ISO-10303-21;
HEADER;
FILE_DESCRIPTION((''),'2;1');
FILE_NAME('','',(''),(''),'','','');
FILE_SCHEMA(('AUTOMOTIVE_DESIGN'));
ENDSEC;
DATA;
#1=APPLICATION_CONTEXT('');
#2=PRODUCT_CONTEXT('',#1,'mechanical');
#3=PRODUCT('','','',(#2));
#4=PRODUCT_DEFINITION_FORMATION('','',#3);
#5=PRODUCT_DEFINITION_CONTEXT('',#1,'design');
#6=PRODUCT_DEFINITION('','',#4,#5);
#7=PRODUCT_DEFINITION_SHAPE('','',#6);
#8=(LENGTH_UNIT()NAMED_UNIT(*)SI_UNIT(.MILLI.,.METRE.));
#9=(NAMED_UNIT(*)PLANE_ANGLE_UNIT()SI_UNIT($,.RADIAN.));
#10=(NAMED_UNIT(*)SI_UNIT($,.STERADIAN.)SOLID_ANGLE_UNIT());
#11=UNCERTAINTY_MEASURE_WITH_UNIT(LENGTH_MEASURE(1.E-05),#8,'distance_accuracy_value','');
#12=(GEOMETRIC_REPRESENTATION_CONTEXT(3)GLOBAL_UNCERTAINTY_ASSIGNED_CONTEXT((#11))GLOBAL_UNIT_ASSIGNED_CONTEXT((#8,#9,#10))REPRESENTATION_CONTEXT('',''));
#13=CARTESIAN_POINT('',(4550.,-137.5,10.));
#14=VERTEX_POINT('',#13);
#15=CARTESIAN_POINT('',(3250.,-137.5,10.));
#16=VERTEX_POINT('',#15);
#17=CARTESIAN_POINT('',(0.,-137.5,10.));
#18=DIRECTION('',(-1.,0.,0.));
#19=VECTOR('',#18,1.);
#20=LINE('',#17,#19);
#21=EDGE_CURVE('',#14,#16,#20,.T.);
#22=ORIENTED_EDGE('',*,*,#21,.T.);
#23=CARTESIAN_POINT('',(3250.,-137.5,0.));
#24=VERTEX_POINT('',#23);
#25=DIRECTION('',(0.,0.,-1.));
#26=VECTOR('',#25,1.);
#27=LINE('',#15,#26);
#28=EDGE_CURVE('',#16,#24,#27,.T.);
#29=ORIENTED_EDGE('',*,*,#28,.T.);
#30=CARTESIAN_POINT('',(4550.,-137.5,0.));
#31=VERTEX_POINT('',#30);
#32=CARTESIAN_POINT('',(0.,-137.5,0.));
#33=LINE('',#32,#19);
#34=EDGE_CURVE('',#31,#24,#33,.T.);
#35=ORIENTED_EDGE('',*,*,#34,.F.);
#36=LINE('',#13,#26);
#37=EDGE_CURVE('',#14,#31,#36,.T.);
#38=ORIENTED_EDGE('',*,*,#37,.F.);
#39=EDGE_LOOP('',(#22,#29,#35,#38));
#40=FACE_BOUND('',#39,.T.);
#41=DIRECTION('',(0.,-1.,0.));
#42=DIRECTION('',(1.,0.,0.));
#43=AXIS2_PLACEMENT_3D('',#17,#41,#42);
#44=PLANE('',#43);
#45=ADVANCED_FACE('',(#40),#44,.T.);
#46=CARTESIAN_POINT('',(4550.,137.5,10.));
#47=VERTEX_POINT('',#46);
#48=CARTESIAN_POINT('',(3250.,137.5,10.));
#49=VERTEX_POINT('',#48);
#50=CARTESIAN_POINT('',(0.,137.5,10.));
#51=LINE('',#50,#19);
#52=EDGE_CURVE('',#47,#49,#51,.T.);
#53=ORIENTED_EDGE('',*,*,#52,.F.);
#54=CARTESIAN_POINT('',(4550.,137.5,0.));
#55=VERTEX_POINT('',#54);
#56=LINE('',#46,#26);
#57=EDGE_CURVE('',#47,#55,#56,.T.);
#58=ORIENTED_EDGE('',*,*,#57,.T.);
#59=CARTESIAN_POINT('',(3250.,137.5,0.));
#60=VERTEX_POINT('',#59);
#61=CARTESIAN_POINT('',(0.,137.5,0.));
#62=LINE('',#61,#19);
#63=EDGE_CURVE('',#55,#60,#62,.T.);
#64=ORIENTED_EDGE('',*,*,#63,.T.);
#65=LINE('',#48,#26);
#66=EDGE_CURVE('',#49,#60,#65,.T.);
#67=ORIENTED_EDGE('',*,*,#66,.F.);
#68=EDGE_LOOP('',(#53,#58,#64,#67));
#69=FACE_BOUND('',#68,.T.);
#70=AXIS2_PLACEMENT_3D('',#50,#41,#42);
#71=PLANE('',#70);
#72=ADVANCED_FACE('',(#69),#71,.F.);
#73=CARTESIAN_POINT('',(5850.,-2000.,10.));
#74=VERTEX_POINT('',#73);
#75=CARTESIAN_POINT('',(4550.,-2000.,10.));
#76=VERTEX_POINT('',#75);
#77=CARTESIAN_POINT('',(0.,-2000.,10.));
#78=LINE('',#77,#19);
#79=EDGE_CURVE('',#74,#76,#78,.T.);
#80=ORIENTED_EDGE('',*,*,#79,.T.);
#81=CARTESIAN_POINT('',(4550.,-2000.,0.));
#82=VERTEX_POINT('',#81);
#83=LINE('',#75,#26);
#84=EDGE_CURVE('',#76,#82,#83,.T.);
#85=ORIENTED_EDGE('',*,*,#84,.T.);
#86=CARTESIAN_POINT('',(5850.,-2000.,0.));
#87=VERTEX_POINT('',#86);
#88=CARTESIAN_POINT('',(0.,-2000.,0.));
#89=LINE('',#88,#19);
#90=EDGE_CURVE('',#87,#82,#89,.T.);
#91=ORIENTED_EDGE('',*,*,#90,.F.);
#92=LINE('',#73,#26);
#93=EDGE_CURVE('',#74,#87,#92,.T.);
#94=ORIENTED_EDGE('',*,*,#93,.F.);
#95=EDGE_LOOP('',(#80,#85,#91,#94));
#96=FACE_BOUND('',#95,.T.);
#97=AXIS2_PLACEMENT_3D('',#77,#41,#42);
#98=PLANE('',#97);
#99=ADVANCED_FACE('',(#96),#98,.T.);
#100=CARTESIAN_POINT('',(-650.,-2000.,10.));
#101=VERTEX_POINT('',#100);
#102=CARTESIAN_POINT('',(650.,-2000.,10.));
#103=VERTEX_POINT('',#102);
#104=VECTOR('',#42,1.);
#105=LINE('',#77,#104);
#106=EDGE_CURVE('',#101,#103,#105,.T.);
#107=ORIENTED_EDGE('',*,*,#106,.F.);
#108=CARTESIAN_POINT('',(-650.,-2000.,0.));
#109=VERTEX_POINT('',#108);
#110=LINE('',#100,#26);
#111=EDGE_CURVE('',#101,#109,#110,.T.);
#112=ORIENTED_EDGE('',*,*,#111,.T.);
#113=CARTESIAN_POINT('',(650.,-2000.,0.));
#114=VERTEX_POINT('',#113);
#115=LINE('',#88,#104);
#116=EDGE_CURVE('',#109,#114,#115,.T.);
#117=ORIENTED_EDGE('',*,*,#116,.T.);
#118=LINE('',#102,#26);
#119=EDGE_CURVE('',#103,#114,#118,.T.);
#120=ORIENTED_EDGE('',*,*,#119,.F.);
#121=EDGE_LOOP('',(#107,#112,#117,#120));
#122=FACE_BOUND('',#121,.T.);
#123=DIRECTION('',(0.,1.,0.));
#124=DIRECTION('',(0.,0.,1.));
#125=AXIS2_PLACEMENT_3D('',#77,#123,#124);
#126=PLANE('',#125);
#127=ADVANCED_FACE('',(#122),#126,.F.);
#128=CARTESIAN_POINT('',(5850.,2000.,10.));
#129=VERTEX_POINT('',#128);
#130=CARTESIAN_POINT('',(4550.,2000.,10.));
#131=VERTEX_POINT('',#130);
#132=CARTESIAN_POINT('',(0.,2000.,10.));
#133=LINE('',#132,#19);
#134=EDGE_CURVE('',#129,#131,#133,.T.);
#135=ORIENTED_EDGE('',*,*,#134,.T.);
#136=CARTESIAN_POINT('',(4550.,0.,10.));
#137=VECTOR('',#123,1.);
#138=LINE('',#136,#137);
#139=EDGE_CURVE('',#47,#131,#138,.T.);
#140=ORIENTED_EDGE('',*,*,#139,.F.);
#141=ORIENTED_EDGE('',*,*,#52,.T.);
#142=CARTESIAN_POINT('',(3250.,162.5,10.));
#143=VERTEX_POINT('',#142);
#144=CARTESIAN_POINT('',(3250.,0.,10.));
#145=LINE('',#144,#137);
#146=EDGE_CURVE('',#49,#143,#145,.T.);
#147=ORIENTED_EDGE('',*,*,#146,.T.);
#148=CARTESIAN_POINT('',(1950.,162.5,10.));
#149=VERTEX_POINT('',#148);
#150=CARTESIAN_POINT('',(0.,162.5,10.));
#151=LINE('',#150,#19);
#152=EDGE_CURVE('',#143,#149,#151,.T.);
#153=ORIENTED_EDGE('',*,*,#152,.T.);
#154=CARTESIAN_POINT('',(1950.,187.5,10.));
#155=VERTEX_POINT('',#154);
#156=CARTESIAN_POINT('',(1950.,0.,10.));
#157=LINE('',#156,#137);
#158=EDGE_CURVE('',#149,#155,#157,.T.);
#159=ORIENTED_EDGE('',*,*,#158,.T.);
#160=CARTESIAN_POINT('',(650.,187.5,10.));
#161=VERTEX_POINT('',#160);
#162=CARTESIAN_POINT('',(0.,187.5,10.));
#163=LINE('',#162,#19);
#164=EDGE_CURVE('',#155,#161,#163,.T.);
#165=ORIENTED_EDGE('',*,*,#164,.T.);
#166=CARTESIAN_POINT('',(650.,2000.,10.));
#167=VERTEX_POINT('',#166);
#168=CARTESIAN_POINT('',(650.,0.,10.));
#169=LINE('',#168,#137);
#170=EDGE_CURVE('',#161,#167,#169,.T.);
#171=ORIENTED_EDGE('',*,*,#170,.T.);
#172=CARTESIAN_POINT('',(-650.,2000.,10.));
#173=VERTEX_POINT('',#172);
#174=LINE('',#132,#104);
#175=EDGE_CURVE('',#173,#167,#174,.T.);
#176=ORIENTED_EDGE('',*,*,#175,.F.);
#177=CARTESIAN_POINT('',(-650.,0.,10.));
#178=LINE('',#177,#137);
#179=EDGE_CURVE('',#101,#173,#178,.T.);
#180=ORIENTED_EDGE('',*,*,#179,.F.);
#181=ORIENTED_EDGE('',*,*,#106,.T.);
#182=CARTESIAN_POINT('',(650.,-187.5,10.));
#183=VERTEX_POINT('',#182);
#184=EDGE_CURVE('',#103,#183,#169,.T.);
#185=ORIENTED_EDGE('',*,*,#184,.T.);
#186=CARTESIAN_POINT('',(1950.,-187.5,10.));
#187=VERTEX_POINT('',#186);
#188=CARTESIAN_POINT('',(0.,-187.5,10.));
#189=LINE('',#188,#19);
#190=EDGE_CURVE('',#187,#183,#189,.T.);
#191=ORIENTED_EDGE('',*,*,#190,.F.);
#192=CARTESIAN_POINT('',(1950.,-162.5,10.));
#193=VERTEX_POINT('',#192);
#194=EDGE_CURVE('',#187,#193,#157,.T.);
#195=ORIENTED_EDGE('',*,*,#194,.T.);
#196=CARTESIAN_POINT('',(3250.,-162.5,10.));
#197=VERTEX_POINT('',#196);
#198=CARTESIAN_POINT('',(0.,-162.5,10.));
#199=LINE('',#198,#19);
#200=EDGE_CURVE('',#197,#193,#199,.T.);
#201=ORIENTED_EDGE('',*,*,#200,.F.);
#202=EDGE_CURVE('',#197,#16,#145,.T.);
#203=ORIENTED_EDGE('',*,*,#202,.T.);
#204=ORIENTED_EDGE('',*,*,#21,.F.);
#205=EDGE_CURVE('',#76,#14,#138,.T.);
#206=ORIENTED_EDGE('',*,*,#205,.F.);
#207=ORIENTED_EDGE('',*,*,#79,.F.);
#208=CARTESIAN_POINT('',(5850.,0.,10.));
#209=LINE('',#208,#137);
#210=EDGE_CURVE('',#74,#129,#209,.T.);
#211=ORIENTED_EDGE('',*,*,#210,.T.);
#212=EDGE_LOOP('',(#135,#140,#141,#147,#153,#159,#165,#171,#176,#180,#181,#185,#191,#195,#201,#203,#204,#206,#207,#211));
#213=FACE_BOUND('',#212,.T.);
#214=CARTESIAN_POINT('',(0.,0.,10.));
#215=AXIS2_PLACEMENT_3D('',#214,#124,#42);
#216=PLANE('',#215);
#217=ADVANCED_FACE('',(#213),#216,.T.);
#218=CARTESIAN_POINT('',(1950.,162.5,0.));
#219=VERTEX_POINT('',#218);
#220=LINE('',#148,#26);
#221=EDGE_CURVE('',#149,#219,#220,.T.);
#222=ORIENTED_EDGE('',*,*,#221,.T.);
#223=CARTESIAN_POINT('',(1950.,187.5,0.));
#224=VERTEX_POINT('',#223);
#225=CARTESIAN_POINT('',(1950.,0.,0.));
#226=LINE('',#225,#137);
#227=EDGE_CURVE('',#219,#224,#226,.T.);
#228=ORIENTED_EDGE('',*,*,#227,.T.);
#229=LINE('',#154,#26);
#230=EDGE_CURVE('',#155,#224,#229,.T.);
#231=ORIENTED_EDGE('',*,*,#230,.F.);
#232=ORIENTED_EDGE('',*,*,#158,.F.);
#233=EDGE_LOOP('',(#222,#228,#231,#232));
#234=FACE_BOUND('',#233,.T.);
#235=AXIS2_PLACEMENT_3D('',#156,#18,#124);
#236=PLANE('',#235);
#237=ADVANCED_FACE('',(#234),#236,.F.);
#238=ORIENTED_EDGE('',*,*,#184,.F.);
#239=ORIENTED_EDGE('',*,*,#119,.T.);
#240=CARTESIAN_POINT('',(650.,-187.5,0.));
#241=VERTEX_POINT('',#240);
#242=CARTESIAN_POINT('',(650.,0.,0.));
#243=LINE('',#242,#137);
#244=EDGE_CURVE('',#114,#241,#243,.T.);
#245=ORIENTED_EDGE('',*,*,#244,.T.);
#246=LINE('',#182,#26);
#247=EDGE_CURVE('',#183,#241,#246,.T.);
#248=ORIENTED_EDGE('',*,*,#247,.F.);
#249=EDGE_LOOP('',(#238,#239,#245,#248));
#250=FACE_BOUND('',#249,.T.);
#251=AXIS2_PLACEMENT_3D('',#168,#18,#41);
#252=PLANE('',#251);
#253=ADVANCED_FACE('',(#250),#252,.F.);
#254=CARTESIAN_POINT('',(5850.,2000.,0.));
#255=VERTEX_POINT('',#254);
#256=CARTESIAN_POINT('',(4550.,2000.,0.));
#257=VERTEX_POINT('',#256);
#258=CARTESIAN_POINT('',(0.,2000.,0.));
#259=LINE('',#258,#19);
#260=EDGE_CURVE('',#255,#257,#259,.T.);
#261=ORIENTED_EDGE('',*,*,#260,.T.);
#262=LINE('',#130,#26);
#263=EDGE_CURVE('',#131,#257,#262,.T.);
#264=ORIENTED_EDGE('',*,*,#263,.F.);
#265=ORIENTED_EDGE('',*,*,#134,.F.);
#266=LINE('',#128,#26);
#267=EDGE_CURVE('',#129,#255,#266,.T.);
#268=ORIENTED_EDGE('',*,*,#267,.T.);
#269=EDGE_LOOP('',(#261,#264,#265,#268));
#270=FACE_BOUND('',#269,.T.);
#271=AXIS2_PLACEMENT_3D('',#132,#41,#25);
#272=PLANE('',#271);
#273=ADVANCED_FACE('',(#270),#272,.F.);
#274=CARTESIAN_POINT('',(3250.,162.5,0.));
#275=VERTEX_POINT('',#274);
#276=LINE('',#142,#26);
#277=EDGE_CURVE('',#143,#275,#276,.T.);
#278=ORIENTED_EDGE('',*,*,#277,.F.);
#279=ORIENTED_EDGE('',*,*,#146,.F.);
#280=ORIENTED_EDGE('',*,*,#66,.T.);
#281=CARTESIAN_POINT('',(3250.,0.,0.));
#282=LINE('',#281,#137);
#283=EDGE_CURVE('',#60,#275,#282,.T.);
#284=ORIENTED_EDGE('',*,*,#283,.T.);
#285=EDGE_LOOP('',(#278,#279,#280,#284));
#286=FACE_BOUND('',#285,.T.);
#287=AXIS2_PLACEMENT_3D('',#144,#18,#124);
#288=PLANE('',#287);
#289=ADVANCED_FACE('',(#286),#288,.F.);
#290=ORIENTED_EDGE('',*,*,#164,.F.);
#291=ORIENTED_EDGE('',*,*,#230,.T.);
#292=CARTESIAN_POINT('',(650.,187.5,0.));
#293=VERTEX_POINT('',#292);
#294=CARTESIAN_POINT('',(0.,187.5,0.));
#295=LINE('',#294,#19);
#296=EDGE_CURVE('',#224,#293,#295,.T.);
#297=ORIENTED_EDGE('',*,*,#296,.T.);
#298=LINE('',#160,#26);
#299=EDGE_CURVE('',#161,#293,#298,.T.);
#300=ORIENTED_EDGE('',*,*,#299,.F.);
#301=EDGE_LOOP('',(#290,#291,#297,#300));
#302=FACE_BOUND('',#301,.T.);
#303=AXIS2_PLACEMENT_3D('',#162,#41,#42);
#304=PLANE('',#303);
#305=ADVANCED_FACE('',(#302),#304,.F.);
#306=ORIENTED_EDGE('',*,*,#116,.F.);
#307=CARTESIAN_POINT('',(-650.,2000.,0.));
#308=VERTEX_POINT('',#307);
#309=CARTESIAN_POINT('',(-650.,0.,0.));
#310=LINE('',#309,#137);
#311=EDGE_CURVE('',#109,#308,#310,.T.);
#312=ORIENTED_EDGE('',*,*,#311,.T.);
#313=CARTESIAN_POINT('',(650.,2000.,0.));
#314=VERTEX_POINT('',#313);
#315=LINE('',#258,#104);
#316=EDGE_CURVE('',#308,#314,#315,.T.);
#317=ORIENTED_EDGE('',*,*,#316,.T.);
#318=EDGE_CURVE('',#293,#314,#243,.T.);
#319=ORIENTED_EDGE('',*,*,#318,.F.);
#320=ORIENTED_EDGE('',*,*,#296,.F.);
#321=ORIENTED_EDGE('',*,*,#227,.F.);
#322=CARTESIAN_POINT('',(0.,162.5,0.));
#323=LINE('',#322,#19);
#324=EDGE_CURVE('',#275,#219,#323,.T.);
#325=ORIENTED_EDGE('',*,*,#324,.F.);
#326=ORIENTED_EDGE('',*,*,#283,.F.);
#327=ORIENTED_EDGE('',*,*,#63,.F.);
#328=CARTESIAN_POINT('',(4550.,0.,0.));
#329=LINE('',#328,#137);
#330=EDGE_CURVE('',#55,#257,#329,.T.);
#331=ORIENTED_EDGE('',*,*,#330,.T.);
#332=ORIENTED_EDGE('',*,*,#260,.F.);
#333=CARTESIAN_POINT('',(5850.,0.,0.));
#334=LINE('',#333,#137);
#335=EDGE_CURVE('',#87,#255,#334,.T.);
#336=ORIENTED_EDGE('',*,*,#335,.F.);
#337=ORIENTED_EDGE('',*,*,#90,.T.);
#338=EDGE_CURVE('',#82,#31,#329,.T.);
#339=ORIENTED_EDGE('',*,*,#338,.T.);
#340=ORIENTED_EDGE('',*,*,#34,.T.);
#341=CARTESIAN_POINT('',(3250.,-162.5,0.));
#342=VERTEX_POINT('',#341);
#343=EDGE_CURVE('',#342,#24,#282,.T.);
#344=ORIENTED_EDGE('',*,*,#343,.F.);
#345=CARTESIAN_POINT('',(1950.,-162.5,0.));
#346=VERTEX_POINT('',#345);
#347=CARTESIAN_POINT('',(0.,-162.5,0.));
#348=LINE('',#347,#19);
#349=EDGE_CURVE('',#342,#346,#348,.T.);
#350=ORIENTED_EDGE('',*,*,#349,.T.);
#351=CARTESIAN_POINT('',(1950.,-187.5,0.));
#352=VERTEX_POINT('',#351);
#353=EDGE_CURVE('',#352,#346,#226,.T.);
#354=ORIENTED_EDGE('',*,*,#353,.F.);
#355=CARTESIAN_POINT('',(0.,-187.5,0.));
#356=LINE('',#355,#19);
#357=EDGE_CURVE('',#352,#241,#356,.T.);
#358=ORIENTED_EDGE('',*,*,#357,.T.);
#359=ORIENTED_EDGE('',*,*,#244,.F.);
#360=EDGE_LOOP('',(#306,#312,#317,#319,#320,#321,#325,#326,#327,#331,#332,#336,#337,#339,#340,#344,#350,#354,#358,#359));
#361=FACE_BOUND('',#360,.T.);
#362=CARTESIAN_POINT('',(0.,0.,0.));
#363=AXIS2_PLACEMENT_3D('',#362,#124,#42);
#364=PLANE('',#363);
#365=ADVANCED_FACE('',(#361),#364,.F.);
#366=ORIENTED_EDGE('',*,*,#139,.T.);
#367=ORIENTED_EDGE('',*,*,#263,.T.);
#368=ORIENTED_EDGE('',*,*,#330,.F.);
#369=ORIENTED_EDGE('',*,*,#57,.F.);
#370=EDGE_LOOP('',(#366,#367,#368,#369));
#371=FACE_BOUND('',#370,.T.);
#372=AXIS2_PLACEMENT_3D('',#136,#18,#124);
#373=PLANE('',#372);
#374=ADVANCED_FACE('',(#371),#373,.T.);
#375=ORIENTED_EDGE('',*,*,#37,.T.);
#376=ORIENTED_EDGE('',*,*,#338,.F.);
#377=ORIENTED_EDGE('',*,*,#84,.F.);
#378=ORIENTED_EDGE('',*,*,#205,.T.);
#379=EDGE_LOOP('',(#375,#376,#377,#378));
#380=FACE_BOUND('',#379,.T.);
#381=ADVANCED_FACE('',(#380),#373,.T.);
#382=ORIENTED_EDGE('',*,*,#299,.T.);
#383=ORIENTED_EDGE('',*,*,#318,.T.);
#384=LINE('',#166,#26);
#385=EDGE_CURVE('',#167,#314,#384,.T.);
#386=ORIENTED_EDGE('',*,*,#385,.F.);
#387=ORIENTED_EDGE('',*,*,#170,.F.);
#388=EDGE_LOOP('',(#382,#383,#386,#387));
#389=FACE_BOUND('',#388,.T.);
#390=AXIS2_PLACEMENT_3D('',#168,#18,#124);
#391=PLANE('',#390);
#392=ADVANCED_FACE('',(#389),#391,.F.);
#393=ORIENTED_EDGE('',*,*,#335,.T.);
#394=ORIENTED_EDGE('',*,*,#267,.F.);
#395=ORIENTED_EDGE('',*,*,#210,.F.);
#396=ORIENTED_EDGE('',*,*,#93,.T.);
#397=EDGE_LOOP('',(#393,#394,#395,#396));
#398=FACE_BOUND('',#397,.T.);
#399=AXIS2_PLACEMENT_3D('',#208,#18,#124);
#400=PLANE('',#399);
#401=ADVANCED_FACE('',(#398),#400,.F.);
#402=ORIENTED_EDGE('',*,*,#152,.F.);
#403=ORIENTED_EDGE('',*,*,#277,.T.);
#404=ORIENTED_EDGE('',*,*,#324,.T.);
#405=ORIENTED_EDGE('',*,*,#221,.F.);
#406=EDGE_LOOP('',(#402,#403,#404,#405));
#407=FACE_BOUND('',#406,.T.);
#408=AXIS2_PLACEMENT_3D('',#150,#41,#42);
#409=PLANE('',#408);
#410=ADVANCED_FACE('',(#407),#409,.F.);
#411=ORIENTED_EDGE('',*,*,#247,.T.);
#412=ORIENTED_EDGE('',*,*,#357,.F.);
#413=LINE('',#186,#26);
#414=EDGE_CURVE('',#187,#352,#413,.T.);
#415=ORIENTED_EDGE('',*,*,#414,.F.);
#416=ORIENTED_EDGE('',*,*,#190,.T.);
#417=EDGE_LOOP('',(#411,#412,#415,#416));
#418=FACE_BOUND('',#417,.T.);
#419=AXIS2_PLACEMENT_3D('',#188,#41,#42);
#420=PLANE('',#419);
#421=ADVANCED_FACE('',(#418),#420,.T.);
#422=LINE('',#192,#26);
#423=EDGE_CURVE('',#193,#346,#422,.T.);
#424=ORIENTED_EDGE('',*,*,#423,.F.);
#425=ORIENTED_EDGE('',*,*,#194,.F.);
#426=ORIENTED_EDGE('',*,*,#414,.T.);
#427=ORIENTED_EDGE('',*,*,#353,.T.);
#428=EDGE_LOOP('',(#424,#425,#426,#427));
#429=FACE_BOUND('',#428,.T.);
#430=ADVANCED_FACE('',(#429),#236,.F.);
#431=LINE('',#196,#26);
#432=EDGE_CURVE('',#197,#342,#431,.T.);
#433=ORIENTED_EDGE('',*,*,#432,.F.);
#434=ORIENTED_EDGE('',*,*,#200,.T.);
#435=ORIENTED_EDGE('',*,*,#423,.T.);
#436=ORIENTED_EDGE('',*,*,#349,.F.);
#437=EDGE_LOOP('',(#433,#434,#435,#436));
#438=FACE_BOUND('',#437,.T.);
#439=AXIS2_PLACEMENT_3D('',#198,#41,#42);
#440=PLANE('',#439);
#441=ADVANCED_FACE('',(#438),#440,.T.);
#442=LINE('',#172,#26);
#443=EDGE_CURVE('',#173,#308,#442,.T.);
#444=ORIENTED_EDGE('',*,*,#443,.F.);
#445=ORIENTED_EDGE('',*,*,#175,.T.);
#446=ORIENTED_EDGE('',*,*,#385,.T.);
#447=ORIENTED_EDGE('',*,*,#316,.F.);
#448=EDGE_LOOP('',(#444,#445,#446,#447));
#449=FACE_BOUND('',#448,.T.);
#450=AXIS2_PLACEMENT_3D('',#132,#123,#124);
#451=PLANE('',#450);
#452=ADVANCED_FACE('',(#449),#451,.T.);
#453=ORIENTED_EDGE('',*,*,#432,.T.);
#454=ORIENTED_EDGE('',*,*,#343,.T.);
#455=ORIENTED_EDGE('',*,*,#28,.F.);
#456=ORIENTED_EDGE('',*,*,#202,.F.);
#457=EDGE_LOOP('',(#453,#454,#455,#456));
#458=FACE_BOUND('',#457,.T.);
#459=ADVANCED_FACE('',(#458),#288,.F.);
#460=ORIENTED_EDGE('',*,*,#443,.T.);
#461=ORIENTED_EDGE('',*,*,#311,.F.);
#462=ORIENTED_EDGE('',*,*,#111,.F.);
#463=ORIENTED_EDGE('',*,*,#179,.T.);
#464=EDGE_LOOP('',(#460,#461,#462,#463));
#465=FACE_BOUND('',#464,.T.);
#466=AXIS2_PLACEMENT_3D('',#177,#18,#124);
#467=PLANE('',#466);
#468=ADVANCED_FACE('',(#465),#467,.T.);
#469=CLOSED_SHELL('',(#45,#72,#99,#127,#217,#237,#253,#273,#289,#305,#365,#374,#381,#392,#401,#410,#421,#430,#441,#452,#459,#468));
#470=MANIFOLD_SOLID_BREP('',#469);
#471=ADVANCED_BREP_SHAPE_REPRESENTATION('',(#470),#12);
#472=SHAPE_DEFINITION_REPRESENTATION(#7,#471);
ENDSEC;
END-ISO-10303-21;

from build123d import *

# Parameters (mm, degrees)
BOSS_EXTRUDE1_DEPTH = 10


with BuildPart() as part:
    # Sketch1 → Boss-Extrude1 (new body)
    with BuildSketch(Plane.XY):
        Polygon((-650, -2000), (650, -2000), (650, -187.5), (1950, -187.5), (1950, -162.5), (3250, -162.5), (3250, -137.5), (4550, -137.5), (4550, -2000), (5850, -2000), (5850, 2000), (4550, 2000), (4550, 137.5), (3250, 137.5), (3250, 162.5), (1950, 162.5), (1950, 187.5), (650, 187.5), (650, 2000), (-650, 2000), align=None)
    extrude(amount=BOSS_EXTRUDE1_DEPTH)


solid = part.part
